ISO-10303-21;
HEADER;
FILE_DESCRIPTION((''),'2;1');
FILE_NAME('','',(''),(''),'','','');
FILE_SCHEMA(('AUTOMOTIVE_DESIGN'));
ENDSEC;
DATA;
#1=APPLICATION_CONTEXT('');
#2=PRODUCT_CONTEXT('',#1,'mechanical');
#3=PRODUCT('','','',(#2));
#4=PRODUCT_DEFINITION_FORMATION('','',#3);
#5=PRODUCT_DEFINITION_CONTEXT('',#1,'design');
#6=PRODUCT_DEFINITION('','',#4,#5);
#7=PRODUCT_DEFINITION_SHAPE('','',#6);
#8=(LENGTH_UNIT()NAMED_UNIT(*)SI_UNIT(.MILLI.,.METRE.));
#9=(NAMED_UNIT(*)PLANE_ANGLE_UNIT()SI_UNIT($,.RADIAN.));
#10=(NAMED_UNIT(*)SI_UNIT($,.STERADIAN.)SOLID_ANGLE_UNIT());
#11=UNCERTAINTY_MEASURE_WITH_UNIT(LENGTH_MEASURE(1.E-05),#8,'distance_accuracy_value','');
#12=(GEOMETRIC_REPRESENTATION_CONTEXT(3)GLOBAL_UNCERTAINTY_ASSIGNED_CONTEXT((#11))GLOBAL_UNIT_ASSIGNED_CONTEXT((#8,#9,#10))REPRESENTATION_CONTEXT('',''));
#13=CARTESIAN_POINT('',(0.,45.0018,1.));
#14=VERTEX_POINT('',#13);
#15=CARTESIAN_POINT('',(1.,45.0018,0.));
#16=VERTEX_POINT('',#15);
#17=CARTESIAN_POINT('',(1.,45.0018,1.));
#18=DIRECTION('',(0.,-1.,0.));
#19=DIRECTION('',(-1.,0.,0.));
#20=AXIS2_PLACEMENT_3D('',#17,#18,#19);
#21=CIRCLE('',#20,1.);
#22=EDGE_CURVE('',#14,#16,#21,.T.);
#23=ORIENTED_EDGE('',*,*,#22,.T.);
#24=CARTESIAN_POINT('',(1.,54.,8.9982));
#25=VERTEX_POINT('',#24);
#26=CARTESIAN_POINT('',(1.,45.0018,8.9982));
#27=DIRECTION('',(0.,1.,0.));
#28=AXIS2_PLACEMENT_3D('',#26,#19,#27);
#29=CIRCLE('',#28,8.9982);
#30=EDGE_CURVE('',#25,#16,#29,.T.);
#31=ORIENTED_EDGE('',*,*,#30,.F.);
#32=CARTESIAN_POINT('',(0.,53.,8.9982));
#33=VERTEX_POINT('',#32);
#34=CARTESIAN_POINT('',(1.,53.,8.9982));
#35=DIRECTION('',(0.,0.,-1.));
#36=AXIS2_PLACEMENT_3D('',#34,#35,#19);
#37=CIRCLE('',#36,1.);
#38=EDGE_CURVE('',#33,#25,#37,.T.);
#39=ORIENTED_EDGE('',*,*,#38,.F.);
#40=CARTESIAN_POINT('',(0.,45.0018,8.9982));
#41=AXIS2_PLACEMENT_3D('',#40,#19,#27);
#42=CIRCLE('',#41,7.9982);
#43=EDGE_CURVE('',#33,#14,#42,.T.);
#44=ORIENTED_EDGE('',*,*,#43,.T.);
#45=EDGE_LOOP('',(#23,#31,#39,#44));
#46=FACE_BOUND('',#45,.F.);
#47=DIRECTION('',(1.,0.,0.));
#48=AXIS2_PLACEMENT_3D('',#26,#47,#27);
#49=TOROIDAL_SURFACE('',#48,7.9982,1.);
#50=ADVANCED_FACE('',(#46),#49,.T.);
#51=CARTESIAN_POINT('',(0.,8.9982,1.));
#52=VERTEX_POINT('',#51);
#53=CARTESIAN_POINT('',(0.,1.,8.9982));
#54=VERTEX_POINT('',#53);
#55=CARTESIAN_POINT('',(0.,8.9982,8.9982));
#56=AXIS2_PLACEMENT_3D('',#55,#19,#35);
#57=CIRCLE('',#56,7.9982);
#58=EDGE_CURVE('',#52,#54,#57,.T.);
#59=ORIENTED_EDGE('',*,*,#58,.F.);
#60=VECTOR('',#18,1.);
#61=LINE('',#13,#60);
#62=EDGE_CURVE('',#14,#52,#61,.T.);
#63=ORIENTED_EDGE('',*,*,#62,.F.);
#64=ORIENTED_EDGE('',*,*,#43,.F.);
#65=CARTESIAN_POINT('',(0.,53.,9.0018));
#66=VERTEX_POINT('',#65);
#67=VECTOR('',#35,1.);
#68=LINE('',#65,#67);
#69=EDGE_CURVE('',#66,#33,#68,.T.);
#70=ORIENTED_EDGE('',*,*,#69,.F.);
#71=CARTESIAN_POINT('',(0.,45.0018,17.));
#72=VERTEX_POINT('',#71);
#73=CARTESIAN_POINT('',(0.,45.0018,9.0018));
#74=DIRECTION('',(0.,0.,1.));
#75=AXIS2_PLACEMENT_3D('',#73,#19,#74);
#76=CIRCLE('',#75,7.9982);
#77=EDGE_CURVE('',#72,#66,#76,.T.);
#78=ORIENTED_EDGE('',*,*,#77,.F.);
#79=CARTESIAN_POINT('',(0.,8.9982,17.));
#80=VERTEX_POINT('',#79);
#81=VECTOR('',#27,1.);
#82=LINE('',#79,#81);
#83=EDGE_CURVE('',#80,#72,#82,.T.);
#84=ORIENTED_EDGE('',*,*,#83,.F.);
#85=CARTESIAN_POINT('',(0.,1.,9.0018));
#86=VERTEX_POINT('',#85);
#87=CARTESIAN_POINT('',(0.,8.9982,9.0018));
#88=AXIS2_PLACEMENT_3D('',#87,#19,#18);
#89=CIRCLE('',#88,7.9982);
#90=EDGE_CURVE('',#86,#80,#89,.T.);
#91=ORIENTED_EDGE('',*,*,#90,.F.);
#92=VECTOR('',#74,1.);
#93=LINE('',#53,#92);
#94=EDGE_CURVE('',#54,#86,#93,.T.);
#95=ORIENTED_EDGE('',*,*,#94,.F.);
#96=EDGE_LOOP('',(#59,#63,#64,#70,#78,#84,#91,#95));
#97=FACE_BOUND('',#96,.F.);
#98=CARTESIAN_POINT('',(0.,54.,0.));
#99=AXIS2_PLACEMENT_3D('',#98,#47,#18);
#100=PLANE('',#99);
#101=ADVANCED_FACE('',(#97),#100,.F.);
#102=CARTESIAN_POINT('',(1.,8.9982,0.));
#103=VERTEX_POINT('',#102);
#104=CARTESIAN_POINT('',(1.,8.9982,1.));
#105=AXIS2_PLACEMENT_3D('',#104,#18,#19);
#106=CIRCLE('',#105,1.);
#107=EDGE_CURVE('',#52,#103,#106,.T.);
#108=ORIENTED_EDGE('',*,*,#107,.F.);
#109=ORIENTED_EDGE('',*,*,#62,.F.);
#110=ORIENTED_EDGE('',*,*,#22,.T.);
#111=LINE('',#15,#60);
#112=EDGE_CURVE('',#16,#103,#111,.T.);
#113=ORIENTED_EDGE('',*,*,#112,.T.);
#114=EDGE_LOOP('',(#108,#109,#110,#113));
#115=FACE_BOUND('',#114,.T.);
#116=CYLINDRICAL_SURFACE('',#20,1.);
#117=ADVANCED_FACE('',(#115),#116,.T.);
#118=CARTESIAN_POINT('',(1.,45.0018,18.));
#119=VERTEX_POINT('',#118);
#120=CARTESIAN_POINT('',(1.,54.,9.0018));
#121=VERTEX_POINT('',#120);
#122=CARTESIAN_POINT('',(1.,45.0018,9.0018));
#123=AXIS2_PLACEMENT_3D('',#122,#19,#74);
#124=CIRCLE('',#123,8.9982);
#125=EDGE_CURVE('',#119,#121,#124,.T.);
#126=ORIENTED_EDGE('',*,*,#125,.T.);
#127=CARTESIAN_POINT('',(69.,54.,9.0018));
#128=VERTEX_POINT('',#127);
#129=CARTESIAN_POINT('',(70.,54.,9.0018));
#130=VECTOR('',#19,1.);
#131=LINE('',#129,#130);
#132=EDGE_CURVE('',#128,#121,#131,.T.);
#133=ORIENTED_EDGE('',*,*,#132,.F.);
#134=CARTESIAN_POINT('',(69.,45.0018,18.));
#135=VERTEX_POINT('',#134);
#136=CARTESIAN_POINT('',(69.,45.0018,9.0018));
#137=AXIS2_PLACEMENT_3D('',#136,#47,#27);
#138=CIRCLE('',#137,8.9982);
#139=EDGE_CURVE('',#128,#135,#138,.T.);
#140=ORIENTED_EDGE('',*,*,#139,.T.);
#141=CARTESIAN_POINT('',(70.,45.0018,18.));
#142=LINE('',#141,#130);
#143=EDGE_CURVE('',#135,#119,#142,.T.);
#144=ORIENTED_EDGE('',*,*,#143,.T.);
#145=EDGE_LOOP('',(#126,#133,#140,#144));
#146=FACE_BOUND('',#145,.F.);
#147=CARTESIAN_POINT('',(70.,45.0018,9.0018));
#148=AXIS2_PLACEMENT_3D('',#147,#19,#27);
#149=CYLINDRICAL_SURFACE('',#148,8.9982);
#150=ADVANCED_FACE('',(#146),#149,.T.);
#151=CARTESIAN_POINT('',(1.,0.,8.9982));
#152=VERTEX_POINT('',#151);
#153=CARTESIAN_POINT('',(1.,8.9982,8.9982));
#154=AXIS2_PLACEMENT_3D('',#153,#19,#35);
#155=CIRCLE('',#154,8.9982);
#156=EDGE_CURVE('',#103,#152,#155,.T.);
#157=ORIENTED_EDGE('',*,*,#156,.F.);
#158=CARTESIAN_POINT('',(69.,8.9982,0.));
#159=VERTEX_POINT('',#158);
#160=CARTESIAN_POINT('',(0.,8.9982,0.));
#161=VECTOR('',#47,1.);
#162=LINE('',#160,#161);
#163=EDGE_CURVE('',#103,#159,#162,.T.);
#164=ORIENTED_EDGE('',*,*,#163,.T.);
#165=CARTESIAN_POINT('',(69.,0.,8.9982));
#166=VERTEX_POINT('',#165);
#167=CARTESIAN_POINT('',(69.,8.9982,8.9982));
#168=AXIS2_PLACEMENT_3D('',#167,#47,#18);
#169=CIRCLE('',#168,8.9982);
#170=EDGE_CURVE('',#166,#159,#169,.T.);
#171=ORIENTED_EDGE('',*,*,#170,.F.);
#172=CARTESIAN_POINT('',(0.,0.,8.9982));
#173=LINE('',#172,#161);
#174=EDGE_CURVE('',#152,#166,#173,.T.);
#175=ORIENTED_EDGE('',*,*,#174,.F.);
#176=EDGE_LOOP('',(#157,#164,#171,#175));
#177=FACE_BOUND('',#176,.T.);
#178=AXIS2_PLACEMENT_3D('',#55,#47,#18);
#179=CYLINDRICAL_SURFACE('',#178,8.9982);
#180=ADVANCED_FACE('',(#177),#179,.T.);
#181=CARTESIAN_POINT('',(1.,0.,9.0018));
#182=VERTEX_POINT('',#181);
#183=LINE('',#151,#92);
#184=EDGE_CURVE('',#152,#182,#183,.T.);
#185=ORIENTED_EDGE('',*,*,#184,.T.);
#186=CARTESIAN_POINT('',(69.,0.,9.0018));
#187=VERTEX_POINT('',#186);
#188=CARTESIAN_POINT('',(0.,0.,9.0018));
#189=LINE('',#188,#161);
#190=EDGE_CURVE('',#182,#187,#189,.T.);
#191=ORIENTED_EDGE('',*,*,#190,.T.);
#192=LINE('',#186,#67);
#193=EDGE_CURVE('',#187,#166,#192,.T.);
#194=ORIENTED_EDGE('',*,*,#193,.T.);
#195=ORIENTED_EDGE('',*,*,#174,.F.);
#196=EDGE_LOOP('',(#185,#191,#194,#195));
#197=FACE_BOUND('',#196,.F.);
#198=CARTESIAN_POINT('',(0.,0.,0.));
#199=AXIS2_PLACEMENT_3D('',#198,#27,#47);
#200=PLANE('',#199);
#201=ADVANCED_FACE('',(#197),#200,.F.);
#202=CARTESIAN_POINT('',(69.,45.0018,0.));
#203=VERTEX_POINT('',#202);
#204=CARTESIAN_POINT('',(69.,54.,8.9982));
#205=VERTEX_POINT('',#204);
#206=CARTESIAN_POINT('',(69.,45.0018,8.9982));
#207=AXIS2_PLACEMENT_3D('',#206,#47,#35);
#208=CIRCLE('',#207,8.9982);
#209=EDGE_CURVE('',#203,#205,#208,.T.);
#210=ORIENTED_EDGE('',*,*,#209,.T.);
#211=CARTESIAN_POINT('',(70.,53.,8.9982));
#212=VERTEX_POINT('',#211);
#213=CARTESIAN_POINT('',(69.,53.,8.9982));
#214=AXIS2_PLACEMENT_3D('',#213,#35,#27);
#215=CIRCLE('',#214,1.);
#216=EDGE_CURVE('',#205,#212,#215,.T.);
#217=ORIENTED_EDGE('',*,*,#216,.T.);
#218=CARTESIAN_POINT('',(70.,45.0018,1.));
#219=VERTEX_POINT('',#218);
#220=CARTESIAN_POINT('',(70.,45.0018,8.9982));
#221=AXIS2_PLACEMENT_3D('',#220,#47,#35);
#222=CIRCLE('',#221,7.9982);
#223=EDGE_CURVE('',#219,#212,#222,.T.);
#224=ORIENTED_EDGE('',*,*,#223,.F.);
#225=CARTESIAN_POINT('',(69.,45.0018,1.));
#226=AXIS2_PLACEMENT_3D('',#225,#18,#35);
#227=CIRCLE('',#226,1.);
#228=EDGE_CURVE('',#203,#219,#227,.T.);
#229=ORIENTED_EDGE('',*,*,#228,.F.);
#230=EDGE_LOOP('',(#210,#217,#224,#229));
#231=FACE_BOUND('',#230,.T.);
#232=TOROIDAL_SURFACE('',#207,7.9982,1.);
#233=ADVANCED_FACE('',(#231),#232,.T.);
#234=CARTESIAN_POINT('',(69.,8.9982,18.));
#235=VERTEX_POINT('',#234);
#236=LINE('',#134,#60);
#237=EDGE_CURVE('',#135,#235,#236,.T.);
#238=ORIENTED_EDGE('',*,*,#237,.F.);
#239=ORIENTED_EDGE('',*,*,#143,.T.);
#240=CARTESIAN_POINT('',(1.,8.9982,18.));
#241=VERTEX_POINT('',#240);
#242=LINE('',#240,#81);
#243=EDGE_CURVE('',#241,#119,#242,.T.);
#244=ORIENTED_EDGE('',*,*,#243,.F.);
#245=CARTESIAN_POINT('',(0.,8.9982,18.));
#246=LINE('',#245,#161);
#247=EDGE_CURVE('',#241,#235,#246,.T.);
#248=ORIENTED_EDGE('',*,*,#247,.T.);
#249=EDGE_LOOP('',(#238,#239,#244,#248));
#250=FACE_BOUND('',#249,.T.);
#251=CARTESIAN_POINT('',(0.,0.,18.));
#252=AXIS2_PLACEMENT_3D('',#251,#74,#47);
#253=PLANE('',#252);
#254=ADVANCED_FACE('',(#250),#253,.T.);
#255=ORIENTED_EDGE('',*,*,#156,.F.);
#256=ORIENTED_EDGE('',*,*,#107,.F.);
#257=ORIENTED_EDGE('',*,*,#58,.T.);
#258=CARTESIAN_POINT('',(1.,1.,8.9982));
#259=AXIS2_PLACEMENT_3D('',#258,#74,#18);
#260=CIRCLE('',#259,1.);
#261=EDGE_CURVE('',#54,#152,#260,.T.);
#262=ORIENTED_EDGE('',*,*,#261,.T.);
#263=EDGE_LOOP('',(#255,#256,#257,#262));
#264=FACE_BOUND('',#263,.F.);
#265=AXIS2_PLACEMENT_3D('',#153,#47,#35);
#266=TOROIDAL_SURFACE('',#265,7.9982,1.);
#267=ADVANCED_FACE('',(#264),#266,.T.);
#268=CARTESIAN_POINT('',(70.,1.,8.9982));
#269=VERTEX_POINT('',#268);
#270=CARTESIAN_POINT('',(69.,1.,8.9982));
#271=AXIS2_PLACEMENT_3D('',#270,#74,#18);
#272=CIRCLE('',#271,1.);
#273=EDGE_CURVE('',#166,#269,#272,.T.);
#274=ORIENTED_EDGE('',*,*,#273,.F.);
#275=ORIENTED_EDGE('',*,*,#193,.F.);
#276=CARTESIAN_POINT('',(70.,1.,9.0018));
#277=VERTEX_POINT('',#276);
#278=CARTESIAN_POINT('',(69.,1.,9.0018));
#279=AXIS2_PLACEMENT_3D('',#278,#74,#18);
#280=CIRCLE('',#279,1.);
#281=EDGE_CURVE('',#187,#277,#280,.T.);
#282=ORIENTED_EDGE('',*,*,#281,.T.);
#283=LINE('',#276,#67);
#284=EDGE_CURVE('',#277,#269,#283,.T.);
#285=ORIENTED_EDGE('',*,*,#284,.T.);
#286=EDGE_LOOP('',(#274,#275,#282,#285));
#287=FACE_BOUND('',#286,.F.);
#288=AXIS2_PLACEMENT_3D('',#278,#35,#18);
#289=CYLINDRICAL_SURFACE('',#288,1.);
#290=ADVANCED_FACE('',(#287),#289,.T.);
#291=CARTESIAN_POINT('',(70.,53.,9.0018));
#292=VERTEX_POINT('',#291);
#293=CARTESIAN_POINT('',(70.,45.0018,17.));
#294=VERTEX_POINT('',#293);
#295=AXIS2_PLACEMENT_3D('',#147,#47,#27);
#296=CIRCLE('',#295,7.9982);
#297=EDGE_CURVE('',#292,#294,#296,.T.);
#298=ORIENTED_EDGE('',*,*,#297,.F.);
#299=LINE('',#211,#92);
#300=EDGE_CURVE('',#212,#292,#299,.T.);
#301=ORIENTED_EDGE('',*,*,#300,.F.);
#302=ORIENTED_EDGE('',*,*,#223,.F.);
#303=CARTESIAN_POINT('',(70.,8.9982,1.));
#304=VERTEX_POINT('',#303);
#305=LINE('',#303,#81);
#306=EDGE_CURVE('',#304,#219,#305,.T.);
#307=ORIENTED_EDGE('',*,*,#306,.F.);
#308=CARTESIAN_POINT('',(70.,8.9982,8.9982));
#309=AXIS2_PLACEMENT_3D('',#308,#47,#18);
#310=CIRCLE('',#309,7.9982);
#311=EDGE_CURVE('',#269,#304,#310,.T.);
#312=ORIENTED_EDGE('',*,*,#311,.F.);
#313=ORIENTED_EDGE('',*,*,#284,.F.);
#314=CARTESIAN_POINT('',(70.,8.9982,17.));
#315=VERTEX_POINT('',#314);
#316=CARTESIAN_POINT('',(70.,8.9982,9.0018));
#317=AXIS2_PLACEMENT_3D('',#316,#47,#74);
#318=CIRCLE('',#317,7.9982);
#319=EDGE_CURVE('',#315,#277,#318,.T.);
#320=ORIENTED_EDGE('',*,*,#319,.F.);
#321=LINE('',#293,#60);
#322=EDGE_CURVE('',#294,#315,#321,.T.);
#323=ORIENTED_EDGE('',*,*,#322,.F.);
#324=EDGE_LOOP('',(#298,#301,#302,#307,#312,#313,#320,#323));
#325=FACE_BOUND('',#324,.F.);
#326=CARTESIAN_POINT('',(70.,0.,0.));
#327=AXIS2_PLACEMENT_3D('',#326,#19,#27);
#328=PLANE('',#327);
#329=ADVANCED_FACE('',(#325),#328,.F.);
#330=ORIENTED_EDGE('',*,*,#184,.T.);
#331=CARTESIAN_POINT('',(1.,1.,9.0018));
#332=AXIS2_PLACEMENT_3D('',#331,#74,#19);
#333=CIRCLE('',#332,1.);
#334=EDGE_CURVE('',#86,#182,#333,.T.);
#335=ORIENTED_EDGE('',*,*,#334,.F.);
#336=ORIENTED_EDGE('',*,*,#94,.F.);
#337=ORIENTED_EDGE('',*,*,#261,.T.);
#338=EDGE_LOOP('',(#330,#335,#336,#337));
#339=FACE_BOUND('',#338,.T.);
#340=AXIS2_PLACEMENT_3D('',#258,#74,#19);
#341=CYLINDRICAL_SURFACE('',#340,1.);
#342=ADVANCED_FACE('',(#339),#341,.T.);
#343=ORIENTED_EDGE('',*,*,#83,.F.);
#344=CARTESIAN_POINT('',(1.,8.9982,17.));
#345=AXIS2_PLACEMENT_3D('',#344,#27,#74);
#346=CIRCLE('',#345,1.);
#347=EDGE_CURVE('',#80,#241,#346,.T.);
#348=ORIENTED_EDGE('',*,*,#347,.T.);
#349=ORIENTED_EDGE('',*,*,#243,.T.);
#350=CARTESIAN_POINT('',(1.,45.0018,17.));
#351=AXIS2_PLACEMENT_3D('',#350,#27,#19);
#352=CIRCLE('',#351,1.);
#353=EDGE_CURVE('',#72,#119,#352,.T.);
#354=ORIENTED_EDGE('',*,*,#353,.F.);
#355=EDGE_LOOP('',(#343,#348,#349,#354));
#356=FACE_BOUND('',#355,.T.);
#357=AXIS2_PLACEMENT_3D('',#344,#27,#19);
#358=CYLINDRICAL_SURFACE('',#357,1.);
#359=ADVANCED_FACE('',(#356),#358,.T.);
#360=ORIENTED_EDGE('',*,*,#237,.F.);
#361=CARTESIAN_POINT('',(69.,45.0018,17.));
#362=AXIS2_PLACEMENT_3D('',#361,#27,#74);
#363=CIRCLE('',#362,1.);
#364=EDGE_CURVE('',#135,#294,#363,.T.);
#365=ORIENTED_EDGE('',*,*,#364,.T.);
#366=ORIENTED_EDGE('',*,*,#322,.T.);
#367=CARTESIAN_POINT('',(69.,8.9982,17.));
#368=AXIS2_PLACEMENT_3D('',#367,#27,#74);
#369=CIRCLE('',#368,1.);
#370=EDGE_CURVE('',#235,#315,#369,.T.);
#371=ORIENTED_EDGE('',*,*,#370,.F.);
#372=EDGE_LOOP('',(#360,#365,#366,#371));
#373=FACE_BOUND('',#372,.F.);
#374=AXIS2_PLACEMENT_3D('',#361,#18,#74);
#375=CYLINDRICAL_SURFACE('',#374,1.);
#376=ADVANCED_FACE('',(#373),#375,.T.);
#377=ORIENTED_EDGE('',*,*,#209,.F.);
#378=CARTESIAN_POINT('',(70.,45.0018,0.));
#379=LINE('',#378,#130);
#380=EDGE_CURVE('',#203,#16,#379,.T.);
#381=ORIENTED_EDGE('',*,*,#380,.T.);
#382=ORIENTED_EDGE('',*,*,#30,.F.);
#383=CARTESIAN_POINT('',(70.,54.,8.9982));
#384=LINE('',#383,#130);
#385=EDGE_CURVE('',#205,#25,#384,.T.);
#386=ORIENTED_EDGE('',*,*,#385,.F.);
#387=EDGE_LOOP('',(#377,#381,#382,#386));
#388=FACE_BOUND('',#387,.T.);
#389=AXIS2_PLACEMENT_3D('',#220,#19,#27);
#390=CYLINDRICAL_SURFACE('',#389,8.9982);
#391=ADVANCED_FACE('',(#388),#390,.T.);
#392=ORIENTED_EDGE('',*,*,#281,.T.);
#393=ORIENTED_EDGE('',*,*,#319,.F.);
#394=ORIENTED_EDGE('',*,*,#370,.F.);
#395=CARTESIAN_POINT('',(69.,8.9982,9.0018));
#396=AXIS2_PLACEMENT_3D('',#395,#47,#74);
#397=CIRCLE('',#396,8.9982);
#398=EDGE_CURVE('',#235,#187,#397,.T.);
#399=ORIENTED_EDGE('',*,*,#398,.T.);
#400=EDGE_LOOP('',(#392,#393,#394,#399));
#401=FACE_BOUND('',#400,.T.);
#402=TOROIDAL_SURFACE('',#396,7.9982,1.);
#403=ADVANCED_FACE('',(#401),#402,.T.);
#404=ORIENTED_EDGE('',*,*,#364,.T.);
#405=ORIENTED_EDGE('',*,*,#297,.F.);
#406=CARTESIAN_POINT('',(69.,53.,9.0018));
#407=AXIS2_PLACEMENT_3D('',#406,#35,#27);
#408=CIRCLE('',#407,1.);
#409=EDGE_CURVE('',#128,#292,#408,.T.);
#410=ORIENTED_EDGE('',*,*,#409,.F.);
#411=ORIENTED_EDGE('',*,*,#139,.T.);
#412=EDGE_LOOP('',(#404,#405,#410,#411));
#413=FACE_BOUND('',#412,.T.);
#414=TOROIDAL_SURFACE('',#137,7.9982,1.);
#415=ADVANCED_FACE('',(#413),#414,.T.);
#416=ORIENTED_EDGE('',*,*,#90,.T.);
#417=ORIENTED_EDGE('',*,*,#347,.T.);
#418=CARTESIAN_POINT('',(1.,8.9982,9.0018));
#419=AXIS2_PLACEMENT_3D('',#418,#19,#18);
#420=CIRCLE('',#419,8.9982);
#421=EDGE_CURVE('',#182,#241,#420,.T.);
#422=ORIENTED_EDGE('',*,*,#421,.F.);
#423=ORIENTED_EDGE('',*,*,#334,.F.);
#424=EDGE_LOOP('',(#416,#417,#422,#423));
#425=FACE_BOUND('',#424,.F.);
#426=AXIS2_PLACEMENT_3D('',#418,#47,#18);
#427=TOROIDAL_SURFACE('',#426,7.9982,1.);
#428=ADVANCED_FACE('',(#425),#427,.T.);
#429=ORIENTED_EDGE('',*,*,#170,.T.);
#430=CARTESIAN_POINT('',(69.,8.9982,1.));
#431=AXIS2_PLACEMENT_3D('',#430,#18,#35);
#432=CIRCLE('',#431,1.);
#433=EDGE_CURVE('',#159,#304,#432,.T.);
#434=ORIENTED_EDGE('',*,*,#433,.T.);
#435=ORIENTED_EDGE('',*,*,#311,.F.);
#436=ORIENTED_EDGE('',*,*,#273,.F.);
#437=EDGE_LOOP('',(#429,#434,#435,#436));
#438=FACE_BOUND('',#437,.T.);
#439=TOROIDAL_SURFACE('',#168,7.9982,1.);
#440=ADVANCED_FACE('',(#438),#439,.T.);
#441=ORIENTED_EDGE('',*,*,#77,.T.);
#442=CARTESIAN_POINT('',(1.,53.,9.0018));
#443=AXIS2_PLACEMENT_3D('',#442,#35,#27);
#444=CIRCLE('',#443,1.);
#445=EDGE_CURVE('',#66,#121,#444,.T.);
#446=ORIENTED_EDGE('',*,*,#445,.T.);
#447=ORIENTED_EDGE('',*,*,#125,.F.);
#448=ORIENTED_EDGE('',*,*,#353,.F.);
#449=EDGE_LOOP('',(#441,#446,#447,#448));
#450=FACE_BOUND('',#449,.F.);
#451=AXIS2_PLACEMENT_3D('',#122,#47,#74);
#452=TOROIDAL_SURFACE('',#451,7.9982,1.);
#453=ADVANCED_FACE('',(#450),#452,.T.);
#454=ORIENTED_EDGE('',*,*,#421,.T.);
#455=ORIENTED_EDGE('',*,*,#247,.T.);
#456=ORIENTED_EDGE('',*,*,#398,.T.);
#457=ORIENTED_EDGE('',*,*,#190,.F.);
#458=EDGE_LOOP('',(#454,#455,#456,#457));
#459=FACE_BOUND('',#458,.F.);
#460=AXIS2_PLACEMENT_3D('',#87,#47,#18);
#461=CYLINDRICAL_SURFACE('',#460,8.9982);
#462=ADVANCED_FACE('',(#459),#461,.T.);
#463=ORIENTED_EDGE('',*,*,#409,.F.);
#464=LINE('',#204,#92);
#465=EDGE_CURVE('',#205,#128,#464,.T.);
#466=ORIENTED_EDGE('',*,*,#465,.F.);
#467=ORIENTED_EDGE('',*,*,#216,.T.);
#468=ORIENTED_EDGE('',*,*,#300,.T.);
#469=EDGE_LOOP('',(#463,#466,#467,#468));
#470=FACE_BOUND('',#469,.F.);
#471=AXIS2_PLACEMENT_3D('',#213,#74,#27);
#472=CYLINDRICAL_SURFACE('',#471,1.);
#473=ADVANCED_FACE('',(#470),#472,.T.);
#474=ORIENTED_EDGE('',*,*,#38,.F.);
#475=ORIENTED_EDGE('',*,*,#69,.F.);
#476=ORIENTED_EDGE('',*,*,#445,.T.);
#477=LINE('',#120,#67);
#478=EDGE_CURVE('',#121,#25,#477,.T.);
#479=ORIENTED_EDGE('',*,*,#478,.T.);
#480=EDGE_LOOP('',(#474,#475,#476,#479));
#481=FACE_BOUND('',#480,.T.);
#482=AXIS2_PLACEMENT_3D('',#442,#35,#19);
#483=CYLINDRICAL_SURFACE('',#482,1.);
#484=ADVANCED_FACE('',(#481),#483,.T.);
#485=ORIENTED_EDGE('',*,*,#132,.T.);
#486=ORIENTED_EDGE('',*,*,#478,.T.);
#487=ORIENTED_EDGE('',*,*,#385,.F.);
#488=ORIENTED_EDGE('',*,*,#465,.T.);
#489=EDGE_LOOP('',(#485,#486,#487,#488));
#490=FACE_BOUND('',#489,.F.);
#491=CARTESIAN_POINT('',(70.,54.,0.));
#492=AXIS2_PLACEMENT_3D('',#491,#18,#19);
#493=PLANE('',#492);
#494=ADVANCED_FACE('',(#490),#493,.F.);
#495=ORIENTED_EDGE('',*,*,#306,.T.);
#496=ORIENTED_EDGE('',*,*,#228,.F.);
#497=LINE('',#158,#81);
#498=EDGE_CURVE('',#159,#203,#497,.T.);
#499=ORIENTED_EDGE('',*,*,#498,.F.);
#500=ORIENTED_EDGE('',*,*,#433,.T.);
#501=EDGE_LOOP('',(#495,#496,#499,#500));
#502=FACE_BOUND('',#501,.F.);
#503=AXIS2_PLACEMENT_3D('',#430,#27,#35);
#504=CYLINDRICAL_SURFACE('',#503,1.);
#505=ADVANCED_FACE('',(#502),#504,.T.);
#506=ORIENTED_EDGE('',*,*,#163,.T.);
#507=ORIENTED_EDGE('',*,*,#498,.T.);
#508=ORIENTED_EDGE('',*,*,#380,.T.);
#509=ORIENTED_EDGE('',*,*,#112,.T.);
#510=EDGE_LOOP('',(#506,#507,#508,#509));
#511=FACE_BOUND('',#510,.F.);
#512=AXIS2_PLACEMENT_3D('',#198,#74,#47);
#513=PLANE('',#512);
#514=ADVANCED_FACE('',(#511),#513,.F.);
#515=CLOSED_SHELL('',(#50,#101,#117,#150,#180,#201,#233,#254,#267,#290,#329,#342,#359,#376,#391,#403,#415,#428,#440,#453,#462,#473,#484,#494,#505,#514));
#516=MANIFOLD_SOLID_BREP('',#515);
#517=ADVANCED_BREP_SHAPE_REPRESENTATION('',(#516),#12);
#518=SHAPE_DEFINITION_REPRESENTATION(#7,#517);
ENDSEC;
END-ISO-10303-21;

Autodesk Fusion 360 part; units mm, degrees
sketch "Sketch2" plane through (0, 0, 0) normal (0, 0, 1) x (1, 0, 0)
  line L0 (0, 0) -> (70, 0)
  line L1 (70, 0) -> (70, 54)
  line L2 (70, 54) -> (0, 54)
  line L3 (0, 54) -> (0, 0)
  dimension "d72" = 70
  dimension "d73" = 54
extrude "Extrude1" add sketch "Sketch2" along normal blind 18
fillet "Fillet1" radius 9 4 edges at (35, 54, 18) (35, 54, 0) (35, 0, 18) (35, 0, 0)
fillet "Fillet2" radius 1 8 edges at (0, 27, 0) (0, 54, 9) (0, 27, 18) (0, 0, 9) (70, 27, 0) (70, 0, 9) (70, 27, 18) (70, 54, 9)
